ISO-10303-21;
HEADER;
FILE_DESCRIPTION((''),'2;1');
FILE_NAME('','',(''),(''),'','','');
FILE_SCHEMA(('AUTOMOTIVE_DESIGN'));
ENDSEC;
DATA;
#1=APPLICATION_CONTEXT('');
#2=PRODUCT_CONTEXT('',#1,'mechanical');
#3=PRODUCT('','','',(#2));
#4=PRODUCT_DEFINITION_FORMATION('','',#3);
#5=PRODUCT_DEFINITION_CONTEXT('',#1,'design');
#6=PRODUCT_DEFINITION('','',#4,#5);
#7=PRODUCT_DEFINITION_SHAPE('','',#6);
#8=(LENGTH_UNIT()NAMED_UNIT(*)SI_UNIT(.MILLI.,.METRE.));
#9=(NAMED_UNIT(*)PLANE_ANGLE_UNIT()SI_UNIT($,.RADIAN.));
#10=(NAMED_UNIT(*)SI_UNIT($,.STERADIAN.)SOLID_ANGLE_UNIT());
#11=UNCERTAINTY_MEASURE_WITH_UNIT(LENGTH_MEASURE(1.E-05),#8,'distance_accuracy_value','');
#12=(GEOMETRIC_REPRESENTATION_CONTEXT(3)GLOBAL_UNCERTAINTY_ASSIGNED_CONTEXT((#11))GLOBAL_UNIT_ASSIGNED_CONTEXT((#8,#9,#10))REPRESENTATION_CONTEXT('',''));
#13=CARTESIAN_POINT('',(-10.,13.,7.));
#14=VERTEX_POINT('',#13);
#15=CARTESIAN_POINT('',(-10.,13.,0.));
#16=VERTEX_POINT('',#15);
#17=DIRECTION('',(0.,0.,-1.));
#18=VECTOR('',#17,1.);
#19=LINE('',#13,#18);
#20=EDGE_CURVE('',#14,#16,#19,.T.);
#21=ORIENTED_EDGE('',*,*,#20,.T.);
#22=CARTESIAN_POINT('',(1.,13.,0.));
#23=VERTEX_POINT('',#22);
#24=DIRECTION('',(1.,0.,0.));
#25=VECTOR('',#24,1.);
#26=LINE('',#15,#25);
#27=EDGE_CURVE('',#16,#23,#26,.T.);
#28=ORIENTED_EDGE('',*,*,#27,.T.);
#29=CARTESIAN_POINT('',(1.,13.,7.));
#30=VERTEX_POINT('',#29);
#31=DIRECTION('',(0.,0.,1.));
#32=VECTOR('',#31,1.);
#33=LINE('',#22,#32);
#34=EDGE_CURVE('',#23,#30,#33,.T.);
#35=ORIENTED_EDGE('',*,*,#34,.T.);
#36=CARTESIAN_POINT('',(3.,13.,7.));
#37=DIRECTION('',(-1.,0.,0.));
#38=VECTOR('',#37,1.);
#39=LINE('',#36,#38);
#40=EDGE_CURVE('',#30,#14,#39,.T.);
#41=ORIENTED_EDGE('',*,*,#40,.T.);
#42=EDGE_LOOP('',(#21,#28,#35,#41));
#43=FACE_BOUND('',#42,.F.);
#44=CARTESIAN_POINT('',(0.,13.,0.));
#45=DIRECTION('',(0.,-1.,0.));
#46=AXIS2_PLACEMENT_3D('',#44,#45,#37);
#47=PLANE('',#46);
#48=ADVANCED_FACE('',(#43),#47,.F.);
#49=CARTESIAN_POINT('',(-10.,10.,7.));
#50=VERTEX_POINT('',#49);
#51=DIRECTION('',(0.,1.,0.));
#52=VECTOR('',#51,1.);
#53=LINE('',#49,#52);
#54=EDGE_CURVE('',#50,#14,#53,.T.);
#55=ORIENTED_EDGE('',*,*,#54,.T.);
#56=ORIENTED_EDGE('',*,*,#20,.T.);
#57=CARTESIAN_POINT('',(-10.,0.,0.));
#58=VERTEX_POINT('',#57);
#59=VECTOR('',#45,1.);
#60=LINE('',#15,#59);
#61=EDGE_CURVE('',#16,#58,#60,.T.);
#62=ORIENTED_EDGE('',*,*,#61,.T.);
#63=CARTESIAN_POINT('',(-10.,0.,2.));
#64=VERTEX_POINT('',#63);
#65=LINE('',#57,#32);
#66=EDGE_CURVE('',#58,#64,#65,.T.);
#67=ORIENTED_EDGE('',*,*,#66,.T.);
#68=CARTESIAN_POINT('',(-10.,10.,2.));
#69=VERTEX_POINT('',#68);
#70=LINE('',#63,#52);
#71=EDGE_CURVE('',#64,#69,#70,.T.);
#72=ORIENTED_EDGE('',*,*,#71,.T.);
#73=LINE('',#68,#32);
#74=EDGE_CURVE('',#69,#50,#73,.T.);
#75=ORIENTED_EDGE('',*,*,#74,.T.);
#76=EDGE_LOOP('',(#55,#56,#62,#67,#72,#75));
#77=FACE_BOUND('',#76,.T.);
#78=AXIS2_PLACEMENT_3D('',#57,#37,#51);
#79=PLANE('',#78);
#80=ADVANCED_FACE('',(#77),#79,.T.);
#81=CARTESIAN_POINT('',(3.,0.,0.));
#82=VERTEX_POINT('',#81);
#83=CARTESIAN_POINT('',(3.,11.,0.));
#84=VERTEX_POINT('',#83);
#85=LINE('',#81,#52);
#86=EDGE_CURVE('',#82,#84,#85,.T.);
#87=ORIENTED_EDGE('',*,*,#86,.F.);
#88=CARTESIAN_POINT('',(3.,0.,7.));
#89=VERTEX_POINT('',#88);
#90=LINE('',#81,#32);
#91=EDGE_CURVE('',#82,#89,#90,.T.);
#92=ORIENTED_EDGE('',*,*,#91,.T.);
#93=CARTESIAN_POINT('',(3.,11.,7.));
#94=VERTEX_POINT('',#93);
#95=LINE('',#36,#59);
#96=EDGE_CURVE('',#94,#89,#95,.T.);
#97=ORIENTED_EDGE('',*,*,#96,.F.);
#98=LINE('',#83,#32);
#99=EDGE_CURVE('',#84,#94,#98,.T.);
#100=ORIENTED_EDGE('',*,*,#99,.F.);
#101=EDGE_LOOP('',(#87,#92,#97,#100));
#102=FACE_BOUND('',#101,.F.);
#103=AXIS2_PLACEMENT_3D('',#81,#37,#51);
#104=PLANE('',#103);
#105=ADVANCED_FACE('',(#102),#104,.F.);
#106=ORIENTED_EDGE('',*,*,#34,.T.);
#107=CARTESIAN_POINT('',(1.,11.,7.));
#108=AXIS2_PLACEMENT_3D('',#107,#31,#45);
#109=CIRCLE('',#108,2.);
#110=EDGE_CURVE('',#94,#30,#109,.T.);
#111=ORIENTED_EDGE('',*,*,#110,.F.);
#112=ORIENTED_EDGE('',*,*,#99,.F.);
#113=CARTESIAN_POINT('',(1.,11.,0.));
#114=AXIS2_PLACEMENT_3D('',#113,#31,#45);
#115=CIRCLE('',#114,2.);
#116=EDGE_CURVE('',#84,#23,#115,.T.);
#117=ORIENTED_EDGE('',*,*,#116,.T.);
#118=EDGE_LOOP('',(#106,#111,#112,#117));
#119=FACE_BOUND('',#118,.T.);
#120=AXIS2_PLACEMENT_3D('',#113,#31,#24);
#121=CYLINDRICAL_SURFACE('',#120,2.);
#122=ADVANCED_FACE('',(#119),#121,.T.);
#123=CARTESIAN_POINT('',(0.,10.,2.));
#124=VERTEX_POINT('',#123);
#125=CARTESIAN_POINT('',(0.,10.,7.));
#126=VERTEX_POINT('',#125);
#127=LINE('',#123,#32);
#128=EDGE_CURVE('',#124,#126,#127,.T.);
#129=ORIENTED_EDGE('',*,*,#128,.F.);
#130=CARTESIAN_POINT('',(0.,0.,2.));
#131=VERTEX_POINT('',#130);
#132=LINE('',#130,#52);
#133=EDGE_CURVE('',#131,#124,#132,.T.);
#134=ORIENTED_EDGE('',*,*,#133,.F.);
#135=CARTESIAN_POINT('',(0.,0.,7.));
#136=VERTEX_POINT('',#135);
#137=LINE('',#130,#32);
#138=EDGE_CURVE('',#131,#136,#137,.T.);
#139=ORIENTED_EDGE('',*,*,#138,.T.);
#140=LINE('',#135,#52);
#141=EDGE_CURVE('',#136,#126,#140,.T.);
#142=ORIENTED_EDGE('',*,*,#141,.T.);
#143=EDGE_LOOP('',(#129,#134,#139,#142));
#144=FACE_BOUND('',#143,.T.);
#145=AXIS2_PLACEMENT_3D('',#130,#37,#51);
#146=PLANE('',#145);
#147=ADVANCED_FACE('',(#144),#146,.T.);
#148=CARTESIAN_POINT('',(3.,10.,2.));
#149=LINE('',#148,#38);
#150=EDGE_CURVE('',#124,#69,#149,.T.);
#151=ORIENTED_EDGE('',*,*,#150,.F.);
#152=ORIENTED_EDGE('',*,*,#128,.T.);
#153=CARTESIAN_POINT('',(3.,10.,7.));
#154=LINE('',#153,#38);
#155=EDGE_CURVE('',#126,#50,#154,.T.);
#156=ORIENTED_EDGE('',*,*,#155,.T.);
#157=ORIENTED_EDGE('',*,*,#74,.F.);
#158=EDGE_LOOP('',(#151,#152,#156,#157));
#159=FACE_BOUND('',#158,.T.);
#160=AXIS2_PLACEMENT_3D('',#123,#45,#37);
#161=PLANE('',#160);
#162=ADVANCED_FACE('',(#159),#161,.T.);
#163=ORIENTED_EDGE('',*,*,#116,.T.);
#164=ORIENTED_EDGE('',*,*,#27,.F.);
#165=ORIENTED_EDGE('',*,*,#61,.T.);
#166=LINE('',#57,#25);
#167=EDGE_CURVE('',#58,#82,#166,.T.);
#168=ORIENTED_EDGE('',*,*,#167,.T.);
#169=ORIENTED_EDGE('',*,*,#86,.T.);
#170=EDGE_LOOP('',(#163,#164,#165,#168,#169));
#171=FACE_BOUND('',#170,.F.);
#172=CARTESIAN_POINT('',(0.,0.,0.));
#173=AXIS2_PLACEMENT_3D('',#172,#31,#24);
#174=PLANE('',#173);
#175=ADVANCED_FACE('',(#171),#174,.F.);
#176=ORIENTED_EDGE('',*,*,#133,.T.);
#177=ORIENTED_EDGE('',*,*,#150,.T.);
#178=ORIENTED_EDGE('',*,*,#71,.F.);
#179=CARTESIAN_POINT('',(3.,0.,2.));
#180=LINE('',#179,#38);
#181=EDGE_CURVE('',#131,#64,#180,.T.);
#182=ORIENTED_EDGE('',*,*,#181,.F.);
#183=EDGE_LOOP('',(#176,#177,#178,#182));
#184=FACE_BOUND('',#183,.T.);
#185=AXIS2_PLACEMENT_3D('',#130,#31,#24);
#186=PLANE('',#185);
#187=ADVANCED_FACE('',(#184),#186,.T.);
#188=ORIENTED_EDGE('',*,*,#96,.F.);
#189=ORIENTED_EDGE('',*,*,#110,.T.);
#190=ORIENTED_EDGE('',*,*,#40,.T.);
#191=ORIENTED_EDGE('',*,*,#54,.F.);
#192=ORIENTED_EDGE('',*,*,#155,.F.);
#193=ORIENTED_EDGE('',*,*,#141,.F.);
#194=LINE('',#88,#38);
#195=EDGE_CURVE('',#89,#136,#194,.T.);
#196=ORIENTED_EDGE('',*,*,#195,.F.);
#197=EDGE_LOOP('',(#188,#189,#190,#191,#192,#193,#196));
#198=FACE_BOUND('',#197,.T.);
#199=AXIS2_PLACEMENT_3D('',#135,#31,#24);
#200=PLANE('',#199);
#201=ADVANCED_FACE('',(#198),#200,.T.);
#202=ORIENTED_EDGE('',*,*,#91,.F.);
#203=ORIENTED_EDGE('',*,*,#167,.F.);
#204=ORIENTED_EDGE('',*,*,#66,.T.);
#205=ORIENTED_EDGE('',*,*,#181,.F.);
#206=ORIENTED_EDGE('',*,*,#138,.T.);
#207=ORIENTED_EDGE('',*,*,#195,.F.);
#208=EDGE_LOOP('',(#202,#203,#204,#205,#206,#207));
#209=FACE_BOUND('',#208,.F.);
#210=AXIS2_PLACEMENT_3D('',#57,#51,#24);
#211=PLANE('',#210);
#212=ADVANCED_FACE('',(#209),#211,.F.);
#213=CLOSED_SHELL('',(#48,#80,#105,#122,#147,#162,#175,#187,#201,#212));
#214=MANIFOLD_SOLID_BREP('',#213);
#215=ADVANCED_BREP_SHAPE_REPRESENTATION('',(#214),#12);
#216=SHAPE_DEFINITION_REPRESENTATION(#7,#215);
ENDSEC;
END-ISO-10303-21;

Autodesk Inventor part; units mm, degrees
ref_plane "YZ Plane" through (0, 0, 0) normal (1, 0, 0) x (0, 1, 0)
ref_plane "XZ Plane" through (0, 0, 0) normal (0, 1, 0) x (-1, 0, 0)
ref_plane "XY Plane" through (0, 0, 0) normal (0, 0, 1) x (1, 0, 0)
sketch "Esquisse1" plane through (0, 0, 0) normal (0, 0, 1) x (1, 0, 0)
  line L0 (0, -2.6) -> (0, 15.6) projected
  line L1 (-12.6, 0) -> (5.6, 0) projected
  line L2 (-10, 10) -> (0, 10)
  line L3 (0, 10) -> (0, 0)
  line L4 (0, 0) -> (-10, 0)
  line L5 (-10, 0) -> (-10, 10)
  line L6 (-10, 10) -> (0, 10)
  line L7 (0, 10) -> (0, 13)
  line L8 (0, 13) -> (-10, 13)
  line L9 (-10, 13) -> (-10, 10)
  line L10 (0, 0) -> (3, 0)
  line L11 (3, 0) -> (3, 13)
  line L12 (3, 13) -> (0, 13)
  line L13 (0, 13) -> (0, 0)
  dimension "d0" = 10
  dimension "d1" = 10
  dimension "d2" = 3
  dimension "d3" = 3
extrude "Extrusion1" add sketch "Esquisse1" along normal blind 2
sketch "Esquisse2" plane through (0, 0, 2) normal (0, 0, 1) x (1, 0, 0)
  line L0 (3, 13) -> (-10, 13) projected
  line L1 (3, 0) -> (3, 13) projected
  line L2 (-10, 13) -> (3, 13)
  line L3 (3, 13) -> (3, 10)
  line L4 (3, 10) -> (-10, 10)
  line L5 (-10, 10) -> (-10, 13)
  line L6 (3, 0) -> (0, 0)
  line L7 (0, 0) -> (0, 10)
  line L8 (0, 10) -> (3, 10)
  line L9 (3, 10) -> (3, 0)
  dimension "d6" = 3
  dimension "d7" = 3
extrude "Extrusion2" add sketch "Esquisse2" along normal blind 5
fillet "Congé1" radius 2 1 edges at (3, 13, 3.5)
properties part number "pièce_intérieur_coque_RPI"
